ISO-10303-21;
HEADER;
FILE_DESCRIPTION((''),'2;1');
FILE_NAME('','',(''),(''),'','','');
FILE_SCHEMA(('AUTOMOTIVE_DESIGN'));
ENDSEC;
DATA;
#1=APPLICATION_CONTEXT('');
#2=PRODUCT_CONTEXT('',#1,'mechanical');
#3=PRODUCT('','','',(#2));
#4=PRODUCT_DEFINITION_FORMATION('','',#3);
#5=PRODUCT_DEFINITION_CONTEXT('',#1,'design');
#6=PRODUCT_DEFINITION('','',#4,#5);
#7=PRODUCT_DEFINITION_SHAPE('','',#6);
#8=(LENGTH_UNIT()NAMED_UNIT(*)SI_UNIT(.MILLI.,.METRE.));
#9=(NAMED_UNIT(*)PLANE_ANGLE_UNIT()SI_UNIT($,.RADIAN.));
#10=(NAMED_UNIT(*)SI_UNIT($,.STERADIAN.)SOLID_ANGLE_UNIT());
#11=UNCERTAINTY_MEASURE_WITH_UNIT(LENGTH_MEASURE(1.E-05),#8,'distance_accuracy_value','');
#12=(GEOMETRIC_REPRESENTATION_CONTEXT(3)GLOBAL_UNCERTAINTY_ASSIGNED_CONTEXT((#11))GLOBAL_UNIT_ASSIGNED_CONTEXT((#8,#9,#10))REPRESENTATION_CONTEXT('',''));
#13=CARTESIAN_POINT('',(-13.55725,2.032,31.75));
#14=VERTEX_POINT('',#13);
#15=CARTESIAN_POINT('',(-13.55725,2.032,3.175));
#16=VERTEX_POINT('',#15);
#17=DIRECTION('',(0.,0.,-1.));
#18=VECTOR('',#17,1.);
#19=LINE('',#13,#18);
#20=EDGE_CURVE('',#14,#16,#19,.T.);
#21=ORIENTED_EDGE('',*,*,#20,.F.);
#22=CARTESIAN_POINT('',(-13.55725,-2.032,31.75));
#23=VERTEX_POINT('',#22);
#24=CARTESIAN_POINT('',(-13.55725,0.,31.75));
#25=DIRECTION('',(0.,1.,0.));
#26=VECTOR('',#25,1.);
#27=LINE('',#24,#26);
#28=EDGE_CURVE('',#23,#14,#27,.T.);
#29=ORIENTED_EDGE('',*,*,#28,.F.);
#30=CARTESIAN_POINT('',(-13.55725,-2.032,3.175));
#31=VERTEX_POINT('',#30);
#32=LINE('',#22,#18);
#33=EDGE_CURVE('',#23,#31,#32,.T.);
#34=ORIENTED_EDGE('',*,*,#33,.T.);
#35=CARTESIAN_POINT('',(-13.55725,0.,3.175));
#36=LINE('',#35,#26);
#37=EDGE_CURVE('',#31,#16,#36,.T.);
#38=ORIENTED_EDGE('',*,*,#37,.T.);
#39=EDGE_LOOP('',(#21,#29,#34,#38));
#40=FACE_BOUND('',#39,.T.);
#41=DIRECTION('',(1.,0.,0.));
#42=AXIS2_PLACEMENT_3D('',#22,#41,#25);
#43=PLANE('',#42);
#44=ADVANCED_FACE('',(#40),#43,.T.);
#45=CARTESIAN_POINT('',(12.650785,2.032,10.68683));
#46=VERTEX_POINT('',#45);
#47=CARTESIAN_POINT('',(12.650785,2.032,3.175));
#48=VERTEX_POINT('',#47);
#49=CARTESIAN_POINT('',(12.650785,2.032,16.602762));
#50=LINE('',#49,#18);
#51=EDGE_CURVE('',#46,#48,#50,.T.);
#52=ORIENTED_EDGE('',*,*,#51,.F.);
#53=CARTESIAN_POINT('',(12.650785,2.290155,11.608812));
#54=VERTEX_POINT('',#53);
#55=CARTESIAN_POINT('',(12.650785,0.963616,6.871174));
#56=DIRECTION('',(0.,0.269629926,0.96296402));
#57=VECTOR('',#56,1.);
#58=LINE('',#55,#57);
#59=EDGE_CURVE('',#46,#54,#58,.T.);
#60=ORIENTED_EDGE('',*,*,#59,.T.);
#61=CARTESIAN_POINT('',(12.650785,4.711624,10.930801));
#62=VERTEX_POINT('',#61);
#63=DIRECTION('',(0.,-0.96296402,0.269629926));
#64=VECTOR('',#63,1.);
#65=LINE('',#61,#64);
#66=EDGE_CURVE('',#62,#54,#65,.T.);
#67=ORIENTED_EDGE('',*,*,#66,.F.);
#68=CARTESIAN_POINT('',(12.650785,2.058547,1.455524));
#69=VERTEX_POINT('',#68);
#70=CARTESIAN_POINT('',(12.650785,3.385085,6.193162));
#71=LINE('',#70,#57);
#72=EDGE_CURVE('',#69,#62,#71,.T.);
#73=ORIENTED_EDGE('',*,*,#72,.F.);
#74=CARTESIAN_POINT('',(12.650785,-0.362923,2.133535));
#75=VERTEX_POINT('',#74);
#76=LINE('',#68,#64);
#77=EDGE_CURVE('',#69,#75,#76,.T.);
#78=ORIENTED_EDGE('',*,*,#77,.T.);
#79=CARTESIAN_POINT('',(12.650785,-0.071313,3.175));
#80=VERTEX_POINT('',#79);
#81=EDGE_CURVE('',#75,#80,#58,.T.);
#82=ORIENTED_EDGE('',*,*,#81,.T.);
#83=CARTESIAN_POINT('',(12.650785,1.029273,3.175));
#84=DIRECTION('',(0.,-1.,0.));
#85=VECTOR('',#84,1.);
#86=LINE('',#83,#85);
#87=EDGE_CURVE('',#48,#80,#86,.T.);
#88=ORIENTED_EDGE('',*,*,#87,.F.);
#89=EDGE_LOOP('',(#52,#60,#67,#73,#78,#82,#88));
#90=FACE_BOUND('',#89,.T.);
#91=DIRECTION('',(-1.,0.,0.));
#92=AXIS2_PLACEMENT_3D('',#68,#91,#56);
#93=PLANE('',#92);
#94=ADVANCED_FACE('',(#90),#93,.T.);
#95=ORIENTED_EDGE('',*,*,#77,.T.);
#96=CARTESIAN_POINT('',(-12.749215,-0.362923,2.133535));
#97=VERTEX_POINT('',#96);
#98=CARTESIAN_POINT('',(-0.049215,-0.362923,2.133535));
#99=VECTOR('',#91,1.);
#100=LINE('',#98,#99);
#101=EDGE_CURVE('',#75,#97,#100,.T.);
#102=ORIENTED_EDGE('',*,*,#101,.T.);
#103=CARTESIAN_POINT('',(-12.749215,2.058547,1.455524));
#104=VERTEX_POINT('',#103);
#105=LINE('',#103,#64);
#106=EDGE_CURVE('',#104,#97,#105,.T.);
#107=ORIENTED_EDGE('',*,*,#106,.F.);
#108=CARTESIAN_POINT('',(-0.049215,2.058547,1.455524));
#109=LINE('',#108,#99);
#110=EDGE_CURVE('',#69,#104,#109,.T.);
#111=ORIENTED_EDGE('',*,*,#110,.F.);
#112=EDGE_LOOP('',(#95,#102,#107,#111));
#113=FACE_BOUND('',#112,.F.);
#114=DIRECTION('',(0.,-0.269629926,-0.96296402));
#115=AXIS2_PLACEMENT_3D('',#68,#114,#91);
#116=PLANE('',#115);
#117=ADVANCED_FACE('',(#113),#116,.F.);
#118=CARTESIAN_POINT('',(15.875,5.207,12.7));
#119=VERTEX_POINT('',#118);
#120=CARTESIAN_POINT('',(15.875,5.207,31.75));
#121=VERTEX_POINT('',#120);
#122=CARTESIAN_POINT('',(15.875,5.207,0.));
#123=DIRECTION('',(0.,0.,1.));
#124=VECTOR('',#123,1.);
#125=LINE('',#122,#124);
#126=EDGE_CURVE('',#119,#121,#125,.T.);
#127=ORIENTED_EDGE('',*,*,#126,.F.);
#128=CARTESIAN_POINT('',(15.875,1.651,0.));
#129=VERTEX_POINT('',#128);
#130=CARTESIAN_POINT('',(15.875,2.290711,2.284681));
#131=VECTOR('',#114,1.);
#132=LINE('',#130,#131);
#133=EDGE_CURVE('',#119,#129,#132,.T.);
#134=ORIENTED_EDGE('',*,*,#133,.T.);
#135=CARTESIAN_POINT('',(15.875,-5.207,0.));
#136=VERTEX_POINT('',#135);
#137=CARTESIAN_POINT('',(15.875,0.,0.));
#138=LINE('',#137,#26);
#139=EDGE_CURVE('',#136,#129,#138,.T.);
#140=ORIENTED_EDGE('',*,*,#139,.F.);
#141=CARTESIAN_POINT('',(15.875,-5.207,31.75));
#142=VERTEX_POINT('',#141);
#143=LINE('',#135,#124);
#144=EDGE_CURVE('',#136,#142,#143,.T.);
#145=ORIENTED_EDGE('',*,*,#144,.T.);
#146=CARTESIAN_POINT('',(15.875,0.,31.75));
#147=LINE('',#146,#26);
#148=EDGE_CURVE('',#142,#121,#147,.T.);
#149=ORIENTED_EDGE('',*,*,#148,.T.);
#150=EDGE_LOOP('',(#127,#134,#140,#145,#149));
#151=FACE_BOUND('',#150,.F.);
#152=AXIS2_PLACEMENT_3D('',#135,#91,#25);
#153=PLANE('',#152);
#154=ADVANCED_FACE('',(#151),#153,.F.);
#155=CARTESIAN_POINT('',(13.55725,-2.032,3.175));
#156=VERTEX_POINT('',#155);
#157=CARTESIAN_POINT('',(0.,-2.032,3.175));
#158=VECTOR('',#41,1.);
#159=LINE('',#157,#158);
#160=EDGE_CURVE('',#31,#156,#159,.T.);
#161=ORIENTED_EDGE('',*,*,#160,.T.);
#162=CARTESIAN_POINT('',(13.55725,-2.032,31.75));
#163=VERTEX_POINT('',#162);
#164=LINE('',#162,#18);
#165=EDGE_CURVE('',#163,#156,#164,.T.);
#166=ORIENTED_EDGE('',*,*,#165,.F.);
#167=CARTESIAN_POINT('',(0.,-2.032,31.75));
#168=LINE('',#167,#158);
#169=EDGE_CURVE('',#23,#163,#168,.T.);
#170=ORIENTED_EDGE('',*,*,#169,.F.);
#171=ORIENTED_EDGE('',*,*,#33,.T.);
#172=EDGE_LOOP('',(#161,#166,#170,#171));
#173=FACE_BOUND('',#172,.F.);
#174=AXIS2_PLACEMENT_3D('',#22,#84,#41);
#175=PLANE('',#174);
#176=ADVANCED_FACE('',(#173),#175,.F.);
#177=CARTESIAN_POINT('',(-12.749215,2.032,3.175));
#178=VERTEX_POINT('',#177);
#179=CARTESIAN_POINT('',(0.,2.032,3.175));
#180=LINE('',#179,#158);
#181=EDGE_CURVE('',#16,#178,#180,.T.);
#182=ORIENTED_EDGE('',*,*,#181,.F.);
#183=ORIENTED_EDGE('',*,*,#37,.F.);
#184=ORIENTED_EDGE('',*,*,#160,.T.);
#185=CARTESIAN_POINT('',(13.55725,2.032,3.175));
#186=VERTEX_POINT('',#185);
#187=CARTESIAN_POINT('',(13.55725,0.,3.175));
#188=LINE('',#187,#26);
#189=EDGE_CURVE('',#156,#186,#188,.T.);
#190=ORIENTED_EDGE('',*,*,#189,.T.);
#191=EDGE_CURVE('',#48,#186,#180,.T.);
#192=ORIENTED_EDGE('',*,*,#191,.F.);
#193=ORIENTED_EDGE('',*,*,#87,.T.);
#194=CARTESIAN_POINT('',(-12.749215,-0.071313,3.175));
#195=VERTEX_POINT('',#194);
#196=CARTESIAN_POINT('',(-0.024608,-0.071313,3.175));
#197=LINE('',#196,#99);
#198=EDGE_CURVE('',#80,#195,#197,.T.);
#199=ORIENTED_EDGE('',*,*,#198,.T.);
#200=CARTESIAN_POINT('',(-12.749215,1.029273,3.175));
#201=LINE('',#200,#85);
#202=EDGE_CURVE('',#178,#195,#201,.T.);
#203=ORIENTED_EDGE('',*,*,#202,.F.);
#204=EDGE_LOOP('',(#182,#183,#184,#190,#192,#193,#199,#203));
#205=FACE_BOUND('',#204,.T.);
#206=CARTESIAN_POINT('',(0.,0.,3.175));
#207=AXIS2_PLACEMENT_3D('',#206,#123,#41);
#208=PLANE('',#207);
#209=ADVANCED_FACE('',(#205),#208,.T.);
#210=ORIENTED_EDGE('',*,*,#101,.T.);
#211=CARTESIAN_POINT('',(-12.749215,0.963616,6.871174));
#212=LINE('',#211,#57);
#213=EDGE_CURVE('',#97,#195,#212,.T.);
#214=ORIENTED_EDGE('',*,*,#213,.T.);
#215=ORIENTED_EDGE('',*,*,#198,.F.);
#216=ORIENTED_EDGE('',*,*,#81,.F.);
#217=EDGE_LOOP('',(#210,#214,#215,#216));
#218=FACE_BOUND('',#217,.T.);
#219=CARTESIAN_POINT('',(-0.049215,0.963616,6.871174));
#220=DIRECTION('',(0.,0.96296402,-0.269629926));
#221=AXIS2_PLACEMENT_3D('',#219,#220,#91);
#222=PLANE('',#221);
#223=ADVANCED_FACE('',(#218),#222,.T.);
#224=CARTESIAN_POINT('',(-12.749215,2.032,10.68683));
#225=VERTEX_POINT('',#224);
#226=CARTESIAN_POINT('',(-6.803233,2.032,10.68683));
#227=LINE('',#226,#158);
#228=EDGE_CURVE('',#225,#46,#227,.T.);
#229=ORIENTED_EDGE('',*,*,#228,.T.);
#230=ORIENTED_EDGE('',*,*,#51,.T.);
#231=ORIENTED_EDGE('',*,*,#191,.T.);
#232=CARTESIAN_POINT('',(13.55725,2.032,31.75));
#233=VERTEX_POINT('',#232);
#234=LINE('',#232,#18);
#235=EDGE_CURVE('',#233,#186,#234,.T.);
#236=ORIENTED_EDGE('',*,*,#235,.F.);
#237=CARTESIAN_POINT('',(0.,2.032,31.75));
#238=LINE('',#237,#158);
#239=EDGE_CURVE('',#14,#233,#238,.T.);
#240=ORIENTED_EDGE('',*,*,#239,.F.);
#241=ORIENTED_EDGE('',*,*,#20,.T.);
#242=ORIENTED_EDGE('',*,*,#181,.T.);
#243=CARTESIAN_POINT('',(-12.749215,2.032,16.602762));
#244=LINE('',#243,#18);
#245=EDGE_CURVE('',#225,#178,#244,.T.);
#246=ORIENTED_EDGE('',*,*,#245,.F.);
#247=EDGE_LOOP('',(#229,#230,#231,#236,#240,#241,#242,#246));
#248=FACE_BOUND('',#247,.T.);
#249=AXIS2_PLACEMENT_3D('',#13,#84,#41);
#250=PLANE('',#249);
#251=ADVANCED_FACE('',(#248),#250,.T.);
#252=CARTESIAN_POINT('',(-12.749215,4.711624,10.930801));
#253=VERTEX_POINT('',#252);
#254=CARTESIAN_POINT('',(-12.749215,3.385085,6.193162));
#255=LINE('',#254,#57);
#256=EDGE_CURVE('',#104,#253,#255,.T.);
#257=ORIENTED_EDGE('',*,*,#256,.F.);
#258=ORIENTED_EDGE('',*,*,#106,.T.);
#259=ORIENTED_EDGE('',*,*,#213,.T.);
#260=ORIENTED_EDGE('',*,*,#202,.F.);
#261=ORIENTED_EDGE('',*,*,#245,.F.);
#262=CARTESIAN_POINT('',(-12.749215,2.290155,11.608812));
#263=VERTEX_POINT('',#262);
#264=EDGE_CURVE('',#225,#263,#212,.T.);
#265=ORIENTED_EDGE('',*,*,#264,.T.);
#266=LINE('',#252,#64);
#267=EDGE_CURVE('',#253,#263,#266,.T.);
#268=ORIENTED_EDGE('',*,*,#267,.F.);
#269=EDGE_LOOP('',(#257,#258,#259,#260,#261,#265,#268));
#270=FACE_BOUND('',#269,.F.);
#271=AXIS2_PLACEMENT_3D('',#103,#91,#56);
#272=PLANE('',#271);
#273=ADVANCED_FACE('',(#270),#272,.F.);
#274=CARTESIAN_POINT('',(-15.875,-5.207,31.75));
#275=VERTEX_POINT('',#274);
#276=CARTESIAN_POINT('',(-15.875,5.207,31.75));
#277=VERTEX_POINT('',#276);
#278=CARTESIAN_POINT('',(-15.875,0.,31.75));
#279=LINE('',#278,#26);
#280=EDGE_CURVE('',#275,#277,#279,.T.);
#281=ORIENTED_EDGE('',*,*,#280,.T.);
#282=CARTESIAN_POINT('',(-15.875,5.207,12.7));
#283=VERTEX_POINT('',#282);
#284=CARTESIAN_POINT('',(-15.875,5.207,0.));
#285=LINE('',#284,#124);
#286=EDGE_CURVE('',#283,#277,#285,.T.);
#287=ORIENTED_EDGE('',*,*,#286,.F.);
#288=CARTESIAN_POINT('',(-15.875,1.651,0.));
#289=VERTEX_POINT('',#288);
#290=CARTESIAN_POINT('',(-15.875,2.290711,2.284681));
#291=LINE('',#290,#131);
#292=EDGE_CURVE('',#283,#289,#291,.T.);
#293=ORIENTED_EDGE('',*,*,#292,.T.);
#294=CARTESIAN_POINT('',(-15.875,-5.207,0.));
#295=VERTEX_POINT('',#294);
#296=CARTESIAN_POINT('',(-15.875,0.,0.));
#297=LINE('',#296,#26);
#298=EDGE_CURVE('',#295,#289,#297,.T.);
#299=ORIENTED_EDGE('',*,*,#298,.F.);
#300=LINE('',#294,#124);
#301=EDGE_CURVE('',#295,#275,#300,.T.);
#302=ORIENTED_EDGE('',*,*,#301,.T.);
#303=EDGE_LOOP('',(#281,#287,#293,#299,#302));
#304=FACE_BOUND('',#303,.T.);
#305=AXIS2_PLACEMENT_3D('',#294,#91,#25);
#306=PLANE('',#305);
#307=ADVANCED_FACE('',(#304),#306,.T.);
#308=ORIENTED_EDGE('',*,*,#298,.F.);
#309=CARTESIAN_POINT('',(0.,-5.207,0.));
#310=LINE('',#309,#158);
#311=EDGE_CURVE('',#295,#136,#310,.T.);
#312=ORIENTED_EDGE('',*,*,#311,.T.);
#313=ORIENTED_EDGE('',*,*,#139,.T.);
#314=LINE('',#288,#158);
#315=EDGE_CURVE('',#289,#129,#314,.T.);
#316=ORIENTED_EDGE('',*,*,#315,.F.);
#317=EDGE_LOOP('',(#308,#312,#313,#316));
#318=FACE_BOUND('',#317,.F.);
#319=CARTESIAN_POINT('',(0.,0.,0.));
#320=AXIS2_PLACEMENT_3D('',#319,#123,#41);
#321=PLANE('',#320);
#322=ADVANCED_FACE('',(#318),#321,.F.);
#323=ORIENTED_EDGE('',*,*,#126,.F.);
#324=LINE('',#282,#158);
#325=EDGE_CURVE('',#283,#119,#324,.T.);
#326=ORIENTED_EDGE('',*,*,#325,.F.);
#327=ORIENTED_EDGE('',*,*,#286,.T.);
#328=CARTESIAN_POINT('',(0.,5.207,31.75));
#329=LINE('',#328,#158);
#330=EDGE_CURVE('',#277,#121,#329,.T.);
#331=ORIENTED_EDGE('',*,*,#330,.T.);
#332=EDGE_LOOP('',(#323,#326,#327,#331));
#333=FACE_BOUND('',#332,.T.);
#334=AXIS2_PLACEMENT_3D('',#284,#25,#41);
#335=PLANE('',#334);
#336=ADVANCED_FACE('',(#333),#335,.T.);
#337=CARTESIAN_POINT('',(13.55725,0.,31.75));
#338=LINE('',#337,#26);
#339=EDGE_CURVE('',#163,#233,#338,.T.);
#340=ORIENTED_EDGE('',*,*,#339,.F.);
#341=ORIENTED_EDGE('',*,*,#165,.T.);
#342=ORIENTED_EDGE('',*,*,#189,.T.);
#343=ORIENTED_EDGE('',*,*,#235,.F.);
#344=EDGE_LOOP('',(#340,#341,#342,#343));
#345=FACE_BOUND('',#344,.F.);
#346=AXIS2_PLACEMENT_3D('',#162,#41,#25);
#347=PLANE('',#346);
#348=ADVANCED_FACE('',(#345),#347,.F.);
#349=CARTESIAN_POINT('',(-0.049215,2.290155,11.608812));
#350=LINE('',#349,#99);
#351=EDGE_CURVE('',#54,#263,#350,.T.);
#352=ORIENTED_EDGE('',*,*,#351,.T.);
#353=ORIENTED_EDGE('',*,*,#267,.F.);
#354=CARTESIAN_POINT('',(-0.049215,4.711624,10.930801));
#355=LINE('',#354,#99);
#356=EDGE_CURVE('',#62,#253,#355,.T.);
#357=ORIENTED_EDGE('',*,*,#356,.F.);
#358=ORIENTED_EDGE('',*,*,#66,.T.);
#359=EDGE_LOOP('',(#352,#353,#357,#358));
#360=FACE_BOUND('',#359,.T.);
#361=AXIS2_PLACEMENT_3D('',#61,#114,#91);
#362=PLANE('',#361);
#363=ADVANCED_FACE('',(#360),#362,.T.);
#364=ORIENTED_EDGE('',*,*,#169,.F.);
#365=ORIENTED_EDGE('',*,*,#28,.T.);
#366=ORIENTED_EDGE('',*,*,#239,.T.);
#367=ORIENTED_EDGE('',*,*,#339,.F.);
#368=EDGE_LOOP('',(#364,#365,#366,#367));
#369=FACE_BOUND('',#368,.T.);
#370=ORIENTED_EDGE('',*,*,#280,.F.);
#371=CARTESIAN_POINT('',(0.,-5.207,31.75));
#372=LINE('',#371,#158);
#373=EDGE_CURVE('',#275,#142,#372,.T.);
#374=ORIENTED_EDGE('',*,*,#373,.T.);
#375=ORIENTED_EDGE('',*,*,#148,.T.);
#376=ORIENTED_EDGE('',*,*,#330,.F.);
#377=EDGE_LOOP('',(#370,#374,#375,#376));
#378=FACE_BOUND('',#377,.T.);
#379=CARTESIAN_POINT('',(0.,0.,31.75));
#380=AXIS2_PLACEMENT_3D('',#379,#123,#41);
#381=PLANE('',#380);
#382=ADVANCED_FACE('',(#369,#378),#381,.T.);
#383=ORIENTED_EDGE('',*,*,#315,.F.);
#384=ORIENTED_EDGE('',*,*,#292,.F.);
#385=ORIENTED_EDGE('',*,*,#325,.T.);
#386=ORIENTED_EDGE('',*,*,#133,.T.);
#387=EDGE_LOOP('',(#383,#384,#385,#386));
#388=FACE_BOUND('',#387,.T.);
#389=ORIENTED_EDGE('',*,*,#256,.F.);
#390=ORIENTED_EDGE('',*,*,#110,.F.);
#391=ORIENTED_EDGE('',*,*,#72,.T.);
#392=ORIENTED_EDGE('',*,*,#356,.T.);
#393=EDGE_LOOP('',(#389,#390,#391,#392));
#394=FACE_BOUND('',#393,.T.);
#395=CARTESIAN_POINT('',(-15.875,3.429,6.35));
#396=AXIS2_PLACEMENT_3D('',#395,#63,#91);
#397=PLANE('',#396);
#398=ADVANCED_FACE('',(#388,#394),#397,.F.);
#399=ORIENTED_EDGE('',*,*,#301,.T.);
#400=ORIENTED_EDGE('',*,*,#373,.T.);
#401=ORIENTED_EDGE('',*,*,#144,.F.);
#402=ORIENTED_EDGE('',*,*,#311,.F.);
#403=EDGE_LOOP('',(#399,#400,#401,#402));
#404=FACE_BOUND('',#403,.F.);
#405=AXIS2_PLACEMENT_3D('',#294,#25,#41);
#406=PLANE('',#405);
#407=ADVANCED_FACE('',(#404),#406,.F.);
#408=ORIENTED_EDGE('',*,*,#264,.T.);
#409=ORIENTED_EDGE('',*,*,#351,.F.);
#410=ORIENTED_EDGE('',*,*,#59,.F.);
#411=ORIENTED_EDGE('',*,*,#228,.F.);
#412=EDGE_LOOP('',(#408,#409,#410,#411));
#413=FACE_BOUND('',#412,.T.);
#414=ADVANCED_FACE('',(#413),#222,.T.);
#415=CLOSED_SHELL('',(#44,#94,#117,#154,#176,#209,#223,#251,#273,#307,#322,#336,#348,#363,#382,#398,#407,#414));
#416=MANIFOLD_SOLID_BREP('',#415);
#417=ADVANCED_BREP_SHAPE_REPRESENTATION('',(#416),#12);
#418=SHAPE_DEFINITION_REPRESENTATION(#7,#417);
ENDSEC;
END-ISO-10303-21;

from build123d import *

# Parameters (mm, degrees)
F0_W     = 31.75
F0_H     = 10.414
F1_DEPTH = 31.75
F2_W     = 27.1145
F2_H     = 4.064
F3_DEPTH = 28.575
F4_SIZE2 = 3.556
F4_SIZE  = 12.7
F5_W     = 25.4
F5_H     = 9.839699956
F6_DEPTH = 2.5146


with BuildPart() as f1:
    # F0 (on Top) → F1 (new body)
    with BuildSketch(Plane.XY):
        Rectangle(F0_W, F0_H)
    extrude(amount=F1_DEPTH)

    # F2 (on face) → F3 (cut)
    with BuildSketch(Plane.XY.offset(31.75)):
        Rectangle(F2_W, F2_H)
    extrude(amount=-F3_DEPTH, mode=Mode.SUBTRACT)

    # F4
    f4_edges = [f1.edges().sort_by_distance(p)[0] for p in [
        (0, 5.207, 0),
    ]]
    f4_side = f1.faces().sort_by_distance((0, 5.207, 15.875))[0]
    chamfer(f4_edges, length=F4_SIZE, length2=F4_SIZE2, reference=f4_side)

    # F5 (on face) → F6 (cut)
    with BuildSketch(Plane(origin=(0, 1.5309718101, -0.4286721068), x_dir=(-1, 0, 0), z_dir=(0, 0.9629640197, -0.2696299255))):
        with Locations((0.0492152758, 6.8765128963)):
            Rectangle(F5_W, F5_H)
    extrude(amount=-F6_DEPTH, mode=Mode.SUBTRACT)


solid = f1.part
